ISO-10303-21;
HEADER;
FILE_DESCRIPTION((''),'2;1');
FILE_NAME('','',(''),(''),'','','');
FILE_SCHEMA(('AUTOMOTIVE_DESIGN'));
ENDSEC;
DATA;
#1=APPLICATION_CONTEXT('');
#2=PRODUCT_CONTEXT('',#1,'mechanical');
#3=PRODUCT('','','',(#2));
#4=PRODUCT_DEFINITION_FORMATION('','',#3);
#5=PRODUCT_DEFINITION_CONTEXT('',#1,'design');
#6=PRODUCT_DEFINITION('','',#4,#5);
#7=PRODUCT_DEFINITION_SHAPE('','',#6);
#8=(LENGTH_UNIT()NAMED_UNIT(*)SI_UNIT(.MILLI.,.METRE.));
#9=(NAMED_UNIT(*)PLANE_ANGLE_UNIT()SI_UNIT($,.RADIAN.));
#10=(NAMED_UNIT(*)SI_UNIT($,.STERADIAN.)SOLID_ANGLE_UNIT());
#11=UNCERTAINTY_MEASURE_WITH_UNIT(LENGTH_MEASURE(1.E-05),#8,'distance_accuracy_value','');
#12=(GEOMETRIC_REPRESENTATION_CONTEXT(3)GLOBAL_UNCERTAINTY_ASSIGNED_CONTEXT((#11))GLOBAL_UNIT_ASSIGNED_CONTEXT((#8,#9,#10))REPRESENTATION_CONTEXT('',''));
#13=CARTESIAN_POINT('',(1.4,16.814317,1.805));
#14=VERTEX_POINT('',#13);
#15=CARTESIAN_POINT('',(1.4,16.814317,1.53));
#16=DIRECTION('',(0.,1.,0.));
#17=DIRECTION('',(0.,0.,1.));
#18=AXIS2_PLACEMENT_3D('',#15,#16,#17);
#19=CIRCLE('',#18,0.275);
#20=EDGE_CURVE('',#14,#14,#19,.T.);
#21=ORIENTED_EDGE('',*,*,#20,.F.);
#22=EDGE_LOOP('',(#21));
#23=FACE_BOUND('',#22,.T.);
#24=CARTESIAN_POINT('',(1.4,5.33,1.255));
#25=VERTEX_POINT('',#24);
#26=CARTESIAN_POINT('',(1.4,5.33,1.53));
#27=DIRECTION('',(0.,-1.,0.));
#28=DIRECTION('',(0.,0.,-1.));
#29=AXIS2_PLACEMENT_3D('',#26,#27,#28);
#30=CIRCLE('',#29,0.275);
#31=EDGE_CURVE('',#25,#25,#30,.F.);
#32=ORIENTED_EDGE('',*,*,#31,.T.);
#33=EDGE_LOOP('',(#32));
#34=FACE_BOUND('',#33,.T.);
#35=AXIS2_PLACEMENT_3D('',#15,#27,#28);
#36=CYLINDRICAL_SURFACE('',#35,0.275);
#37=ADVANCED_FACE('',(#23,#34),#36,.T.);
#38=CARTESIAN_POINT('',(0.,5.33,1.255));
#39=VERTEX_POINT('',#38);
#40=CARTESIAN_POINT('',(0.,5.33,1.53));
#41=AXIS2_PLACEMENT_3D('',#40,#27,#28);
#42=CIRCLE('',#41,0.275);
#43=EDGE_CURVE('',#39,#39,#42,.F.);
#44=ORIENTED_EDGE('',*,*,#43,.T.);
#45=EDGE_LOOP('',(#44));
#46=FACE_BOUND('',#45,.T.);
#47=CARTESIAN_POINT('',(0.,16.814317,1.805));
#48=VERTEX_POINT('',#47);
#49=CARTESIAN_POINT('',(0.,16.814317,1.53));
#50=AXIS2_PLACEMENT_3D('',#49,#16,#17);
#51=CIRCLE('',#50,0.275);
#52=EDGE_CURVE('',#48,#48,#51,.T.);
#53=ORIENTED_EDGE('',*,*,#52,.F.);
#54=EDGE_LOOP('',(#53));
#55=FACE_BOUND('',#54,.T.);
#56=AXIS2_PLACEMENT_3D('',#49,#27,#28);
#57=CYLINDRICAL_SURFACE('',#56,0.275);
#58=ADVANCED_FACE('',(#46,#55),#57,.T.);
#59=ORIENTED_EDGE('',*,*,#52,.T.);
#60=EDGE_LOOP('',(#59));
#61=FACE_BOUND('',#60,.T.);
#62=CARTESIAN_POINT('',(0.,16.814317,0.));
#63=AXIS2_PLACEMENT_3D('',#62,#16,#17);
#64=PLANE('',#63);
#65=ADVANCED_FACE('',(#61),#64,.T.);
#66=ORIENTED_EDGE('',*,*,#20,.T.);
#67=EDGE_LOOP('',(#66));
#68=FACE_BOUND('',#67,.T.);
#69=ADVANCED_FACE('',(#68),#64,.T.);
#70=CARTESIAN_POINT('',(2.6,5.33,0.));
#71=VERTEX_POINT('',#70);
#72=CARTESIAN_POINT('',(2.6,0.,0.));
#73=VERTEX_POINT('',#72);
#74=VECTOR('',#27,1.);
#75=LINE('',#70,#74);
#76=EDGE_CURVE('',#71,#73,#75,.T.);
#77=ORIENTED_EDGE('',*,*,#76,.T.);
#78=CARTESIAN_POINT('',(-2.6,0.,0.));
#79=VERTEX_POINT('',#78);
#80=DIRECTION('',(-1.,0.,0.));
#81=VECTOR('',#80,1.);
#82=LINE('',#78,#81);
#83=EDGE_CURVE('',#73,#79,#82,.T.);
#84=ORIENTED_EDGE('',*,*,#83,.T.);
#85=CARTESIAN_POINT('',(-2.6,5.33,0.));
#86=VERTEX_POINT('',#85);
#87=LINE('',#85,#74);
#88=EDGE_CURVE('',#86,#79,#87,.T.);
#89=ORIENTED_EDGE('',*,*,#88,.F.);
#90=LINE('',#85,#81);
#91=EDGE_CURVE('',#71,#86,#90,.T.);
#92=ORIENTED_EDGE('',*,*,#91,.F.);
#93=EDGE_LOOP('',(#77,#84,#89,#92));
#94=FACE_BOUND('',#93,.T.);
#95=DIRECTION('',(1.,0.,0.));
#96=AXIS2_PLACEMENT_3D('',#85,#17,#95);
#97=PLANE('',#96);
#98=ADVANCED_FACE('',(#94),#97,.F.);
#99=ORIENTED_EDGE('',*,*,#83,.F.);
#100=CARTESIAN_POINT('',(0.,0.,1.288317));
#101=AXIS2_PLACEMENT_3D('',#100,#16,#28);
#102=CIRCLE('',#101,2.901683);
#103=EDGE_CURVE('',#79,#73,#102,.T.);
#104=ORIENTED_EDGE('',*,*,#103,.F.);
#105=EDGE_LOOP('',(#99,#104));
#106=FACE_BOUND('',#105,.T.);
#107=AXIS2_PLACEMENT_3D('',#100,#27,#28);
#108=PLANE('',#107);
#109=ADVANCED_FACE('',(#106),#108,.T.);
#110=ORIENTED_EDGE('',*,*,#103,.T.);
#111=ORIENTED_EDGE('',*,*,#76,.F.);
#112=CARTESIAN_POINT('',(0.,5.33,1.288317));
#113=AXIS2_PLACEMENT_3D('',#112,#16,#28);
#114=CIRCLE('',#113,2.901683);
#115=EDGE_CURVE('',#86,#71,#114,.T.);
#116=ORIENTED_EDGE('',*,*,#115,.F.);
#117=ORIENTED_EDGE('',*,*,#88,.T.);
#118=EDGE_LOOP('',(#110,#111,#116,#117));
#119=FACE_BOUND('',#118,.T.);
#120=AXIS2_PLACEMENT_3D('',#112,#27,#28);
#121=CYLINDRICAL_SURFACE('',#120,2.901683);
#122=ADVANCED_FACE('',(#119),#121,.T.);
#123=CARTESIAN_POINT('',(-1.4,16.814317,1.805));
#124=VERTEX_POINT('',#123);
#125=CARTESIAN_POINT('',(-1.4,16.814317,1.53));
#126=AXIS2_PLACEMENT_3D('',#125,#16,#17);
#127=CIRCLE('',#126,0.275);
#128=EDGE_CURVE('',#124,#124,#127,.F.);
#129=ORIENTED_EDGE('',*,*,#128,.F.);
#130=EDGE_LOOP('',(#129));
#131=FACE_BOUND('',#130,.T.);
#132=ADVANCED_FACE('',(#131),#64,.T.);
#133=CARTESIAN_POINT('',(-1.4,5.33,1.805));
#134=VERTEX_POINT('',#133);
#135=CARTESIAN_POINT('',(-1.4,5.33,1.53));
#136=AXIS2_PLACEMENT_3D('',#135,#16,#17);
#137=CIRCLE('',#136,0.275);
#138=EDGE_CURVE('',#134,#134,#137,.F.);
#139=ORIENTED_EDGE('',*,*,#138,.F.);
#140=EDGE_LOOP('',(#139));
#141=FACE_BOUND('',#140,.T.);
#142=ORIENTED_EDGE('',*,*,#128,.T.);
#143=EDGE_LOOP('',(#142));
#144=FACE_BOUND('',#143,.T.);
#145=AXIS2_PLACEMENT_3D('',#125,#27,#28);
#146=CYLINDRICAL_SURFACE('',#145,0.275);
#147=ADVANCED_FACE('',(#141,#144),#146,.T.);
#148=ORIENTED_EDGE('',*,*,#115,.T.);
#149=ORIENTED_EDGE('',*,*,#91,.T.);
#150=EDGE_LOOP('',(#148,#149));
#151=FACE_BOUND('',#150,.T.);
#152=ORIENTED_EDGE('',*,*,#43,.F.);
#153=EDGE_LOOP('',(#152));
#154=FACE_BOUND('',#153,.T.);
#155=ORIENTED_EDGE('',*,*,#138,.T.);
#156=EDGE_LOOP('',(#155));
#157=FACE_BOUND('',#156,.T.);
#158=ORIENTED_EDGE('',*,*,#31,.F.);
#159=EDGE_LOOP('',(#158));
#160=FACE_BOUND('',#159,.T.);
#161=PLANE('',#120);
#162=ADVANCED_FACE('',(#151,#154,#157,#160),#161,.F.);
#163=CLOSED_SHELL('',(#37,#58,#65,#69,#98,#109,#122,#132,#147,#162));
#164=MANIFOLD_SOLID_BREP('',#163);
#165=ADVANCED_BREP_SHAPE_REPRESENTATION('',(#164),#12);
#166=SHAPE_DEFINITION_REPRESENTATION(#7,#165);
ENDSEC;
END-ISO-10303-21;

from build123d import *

# Parameters (mm, degrees)
BOSS_EXTRUDE1_DEPTH = 5.33
SKETCH2_R           = 0.275
BOSS_EXTRUDE2_DEPTH = 11.48431719


with BuildPart() as part:
    # Sketch1 → Boss-Extrude1 (new body)
    with BuildSketch(Plane(origin=(0, 0, 0), x_dir=(1, 0, 0), z_dir=(0, 1, 0))):
        with BuildLine():
            Line((-2.6, 0), (2.6, 0))
            ThreePointArc((2.6, 0), (0, -4.19), (-2.6, 0))
        make_face()
    extrude(amount=BOSS_EXTRUDE1_DEPTH)

    # Sketch2 → Boss-Extrude2 (add)
    with BuildSketch(Plane(origin=(0, 5.33, 0), x_dir=(1, 0, 0), z_dir=(0, 1, 0))):
        with Locations((0, -1.53)):
            Circle(SKETCH2_R)
        with Locations((-1.4, -1.53)):
            Circle(SKETCH2_R)
        with Locations((1.4, -1.53)):
            Circle(SKETCH2_R)
    extrude(amount=BOSS_EXTRUDE2_DEPTH)


solid = part.part
